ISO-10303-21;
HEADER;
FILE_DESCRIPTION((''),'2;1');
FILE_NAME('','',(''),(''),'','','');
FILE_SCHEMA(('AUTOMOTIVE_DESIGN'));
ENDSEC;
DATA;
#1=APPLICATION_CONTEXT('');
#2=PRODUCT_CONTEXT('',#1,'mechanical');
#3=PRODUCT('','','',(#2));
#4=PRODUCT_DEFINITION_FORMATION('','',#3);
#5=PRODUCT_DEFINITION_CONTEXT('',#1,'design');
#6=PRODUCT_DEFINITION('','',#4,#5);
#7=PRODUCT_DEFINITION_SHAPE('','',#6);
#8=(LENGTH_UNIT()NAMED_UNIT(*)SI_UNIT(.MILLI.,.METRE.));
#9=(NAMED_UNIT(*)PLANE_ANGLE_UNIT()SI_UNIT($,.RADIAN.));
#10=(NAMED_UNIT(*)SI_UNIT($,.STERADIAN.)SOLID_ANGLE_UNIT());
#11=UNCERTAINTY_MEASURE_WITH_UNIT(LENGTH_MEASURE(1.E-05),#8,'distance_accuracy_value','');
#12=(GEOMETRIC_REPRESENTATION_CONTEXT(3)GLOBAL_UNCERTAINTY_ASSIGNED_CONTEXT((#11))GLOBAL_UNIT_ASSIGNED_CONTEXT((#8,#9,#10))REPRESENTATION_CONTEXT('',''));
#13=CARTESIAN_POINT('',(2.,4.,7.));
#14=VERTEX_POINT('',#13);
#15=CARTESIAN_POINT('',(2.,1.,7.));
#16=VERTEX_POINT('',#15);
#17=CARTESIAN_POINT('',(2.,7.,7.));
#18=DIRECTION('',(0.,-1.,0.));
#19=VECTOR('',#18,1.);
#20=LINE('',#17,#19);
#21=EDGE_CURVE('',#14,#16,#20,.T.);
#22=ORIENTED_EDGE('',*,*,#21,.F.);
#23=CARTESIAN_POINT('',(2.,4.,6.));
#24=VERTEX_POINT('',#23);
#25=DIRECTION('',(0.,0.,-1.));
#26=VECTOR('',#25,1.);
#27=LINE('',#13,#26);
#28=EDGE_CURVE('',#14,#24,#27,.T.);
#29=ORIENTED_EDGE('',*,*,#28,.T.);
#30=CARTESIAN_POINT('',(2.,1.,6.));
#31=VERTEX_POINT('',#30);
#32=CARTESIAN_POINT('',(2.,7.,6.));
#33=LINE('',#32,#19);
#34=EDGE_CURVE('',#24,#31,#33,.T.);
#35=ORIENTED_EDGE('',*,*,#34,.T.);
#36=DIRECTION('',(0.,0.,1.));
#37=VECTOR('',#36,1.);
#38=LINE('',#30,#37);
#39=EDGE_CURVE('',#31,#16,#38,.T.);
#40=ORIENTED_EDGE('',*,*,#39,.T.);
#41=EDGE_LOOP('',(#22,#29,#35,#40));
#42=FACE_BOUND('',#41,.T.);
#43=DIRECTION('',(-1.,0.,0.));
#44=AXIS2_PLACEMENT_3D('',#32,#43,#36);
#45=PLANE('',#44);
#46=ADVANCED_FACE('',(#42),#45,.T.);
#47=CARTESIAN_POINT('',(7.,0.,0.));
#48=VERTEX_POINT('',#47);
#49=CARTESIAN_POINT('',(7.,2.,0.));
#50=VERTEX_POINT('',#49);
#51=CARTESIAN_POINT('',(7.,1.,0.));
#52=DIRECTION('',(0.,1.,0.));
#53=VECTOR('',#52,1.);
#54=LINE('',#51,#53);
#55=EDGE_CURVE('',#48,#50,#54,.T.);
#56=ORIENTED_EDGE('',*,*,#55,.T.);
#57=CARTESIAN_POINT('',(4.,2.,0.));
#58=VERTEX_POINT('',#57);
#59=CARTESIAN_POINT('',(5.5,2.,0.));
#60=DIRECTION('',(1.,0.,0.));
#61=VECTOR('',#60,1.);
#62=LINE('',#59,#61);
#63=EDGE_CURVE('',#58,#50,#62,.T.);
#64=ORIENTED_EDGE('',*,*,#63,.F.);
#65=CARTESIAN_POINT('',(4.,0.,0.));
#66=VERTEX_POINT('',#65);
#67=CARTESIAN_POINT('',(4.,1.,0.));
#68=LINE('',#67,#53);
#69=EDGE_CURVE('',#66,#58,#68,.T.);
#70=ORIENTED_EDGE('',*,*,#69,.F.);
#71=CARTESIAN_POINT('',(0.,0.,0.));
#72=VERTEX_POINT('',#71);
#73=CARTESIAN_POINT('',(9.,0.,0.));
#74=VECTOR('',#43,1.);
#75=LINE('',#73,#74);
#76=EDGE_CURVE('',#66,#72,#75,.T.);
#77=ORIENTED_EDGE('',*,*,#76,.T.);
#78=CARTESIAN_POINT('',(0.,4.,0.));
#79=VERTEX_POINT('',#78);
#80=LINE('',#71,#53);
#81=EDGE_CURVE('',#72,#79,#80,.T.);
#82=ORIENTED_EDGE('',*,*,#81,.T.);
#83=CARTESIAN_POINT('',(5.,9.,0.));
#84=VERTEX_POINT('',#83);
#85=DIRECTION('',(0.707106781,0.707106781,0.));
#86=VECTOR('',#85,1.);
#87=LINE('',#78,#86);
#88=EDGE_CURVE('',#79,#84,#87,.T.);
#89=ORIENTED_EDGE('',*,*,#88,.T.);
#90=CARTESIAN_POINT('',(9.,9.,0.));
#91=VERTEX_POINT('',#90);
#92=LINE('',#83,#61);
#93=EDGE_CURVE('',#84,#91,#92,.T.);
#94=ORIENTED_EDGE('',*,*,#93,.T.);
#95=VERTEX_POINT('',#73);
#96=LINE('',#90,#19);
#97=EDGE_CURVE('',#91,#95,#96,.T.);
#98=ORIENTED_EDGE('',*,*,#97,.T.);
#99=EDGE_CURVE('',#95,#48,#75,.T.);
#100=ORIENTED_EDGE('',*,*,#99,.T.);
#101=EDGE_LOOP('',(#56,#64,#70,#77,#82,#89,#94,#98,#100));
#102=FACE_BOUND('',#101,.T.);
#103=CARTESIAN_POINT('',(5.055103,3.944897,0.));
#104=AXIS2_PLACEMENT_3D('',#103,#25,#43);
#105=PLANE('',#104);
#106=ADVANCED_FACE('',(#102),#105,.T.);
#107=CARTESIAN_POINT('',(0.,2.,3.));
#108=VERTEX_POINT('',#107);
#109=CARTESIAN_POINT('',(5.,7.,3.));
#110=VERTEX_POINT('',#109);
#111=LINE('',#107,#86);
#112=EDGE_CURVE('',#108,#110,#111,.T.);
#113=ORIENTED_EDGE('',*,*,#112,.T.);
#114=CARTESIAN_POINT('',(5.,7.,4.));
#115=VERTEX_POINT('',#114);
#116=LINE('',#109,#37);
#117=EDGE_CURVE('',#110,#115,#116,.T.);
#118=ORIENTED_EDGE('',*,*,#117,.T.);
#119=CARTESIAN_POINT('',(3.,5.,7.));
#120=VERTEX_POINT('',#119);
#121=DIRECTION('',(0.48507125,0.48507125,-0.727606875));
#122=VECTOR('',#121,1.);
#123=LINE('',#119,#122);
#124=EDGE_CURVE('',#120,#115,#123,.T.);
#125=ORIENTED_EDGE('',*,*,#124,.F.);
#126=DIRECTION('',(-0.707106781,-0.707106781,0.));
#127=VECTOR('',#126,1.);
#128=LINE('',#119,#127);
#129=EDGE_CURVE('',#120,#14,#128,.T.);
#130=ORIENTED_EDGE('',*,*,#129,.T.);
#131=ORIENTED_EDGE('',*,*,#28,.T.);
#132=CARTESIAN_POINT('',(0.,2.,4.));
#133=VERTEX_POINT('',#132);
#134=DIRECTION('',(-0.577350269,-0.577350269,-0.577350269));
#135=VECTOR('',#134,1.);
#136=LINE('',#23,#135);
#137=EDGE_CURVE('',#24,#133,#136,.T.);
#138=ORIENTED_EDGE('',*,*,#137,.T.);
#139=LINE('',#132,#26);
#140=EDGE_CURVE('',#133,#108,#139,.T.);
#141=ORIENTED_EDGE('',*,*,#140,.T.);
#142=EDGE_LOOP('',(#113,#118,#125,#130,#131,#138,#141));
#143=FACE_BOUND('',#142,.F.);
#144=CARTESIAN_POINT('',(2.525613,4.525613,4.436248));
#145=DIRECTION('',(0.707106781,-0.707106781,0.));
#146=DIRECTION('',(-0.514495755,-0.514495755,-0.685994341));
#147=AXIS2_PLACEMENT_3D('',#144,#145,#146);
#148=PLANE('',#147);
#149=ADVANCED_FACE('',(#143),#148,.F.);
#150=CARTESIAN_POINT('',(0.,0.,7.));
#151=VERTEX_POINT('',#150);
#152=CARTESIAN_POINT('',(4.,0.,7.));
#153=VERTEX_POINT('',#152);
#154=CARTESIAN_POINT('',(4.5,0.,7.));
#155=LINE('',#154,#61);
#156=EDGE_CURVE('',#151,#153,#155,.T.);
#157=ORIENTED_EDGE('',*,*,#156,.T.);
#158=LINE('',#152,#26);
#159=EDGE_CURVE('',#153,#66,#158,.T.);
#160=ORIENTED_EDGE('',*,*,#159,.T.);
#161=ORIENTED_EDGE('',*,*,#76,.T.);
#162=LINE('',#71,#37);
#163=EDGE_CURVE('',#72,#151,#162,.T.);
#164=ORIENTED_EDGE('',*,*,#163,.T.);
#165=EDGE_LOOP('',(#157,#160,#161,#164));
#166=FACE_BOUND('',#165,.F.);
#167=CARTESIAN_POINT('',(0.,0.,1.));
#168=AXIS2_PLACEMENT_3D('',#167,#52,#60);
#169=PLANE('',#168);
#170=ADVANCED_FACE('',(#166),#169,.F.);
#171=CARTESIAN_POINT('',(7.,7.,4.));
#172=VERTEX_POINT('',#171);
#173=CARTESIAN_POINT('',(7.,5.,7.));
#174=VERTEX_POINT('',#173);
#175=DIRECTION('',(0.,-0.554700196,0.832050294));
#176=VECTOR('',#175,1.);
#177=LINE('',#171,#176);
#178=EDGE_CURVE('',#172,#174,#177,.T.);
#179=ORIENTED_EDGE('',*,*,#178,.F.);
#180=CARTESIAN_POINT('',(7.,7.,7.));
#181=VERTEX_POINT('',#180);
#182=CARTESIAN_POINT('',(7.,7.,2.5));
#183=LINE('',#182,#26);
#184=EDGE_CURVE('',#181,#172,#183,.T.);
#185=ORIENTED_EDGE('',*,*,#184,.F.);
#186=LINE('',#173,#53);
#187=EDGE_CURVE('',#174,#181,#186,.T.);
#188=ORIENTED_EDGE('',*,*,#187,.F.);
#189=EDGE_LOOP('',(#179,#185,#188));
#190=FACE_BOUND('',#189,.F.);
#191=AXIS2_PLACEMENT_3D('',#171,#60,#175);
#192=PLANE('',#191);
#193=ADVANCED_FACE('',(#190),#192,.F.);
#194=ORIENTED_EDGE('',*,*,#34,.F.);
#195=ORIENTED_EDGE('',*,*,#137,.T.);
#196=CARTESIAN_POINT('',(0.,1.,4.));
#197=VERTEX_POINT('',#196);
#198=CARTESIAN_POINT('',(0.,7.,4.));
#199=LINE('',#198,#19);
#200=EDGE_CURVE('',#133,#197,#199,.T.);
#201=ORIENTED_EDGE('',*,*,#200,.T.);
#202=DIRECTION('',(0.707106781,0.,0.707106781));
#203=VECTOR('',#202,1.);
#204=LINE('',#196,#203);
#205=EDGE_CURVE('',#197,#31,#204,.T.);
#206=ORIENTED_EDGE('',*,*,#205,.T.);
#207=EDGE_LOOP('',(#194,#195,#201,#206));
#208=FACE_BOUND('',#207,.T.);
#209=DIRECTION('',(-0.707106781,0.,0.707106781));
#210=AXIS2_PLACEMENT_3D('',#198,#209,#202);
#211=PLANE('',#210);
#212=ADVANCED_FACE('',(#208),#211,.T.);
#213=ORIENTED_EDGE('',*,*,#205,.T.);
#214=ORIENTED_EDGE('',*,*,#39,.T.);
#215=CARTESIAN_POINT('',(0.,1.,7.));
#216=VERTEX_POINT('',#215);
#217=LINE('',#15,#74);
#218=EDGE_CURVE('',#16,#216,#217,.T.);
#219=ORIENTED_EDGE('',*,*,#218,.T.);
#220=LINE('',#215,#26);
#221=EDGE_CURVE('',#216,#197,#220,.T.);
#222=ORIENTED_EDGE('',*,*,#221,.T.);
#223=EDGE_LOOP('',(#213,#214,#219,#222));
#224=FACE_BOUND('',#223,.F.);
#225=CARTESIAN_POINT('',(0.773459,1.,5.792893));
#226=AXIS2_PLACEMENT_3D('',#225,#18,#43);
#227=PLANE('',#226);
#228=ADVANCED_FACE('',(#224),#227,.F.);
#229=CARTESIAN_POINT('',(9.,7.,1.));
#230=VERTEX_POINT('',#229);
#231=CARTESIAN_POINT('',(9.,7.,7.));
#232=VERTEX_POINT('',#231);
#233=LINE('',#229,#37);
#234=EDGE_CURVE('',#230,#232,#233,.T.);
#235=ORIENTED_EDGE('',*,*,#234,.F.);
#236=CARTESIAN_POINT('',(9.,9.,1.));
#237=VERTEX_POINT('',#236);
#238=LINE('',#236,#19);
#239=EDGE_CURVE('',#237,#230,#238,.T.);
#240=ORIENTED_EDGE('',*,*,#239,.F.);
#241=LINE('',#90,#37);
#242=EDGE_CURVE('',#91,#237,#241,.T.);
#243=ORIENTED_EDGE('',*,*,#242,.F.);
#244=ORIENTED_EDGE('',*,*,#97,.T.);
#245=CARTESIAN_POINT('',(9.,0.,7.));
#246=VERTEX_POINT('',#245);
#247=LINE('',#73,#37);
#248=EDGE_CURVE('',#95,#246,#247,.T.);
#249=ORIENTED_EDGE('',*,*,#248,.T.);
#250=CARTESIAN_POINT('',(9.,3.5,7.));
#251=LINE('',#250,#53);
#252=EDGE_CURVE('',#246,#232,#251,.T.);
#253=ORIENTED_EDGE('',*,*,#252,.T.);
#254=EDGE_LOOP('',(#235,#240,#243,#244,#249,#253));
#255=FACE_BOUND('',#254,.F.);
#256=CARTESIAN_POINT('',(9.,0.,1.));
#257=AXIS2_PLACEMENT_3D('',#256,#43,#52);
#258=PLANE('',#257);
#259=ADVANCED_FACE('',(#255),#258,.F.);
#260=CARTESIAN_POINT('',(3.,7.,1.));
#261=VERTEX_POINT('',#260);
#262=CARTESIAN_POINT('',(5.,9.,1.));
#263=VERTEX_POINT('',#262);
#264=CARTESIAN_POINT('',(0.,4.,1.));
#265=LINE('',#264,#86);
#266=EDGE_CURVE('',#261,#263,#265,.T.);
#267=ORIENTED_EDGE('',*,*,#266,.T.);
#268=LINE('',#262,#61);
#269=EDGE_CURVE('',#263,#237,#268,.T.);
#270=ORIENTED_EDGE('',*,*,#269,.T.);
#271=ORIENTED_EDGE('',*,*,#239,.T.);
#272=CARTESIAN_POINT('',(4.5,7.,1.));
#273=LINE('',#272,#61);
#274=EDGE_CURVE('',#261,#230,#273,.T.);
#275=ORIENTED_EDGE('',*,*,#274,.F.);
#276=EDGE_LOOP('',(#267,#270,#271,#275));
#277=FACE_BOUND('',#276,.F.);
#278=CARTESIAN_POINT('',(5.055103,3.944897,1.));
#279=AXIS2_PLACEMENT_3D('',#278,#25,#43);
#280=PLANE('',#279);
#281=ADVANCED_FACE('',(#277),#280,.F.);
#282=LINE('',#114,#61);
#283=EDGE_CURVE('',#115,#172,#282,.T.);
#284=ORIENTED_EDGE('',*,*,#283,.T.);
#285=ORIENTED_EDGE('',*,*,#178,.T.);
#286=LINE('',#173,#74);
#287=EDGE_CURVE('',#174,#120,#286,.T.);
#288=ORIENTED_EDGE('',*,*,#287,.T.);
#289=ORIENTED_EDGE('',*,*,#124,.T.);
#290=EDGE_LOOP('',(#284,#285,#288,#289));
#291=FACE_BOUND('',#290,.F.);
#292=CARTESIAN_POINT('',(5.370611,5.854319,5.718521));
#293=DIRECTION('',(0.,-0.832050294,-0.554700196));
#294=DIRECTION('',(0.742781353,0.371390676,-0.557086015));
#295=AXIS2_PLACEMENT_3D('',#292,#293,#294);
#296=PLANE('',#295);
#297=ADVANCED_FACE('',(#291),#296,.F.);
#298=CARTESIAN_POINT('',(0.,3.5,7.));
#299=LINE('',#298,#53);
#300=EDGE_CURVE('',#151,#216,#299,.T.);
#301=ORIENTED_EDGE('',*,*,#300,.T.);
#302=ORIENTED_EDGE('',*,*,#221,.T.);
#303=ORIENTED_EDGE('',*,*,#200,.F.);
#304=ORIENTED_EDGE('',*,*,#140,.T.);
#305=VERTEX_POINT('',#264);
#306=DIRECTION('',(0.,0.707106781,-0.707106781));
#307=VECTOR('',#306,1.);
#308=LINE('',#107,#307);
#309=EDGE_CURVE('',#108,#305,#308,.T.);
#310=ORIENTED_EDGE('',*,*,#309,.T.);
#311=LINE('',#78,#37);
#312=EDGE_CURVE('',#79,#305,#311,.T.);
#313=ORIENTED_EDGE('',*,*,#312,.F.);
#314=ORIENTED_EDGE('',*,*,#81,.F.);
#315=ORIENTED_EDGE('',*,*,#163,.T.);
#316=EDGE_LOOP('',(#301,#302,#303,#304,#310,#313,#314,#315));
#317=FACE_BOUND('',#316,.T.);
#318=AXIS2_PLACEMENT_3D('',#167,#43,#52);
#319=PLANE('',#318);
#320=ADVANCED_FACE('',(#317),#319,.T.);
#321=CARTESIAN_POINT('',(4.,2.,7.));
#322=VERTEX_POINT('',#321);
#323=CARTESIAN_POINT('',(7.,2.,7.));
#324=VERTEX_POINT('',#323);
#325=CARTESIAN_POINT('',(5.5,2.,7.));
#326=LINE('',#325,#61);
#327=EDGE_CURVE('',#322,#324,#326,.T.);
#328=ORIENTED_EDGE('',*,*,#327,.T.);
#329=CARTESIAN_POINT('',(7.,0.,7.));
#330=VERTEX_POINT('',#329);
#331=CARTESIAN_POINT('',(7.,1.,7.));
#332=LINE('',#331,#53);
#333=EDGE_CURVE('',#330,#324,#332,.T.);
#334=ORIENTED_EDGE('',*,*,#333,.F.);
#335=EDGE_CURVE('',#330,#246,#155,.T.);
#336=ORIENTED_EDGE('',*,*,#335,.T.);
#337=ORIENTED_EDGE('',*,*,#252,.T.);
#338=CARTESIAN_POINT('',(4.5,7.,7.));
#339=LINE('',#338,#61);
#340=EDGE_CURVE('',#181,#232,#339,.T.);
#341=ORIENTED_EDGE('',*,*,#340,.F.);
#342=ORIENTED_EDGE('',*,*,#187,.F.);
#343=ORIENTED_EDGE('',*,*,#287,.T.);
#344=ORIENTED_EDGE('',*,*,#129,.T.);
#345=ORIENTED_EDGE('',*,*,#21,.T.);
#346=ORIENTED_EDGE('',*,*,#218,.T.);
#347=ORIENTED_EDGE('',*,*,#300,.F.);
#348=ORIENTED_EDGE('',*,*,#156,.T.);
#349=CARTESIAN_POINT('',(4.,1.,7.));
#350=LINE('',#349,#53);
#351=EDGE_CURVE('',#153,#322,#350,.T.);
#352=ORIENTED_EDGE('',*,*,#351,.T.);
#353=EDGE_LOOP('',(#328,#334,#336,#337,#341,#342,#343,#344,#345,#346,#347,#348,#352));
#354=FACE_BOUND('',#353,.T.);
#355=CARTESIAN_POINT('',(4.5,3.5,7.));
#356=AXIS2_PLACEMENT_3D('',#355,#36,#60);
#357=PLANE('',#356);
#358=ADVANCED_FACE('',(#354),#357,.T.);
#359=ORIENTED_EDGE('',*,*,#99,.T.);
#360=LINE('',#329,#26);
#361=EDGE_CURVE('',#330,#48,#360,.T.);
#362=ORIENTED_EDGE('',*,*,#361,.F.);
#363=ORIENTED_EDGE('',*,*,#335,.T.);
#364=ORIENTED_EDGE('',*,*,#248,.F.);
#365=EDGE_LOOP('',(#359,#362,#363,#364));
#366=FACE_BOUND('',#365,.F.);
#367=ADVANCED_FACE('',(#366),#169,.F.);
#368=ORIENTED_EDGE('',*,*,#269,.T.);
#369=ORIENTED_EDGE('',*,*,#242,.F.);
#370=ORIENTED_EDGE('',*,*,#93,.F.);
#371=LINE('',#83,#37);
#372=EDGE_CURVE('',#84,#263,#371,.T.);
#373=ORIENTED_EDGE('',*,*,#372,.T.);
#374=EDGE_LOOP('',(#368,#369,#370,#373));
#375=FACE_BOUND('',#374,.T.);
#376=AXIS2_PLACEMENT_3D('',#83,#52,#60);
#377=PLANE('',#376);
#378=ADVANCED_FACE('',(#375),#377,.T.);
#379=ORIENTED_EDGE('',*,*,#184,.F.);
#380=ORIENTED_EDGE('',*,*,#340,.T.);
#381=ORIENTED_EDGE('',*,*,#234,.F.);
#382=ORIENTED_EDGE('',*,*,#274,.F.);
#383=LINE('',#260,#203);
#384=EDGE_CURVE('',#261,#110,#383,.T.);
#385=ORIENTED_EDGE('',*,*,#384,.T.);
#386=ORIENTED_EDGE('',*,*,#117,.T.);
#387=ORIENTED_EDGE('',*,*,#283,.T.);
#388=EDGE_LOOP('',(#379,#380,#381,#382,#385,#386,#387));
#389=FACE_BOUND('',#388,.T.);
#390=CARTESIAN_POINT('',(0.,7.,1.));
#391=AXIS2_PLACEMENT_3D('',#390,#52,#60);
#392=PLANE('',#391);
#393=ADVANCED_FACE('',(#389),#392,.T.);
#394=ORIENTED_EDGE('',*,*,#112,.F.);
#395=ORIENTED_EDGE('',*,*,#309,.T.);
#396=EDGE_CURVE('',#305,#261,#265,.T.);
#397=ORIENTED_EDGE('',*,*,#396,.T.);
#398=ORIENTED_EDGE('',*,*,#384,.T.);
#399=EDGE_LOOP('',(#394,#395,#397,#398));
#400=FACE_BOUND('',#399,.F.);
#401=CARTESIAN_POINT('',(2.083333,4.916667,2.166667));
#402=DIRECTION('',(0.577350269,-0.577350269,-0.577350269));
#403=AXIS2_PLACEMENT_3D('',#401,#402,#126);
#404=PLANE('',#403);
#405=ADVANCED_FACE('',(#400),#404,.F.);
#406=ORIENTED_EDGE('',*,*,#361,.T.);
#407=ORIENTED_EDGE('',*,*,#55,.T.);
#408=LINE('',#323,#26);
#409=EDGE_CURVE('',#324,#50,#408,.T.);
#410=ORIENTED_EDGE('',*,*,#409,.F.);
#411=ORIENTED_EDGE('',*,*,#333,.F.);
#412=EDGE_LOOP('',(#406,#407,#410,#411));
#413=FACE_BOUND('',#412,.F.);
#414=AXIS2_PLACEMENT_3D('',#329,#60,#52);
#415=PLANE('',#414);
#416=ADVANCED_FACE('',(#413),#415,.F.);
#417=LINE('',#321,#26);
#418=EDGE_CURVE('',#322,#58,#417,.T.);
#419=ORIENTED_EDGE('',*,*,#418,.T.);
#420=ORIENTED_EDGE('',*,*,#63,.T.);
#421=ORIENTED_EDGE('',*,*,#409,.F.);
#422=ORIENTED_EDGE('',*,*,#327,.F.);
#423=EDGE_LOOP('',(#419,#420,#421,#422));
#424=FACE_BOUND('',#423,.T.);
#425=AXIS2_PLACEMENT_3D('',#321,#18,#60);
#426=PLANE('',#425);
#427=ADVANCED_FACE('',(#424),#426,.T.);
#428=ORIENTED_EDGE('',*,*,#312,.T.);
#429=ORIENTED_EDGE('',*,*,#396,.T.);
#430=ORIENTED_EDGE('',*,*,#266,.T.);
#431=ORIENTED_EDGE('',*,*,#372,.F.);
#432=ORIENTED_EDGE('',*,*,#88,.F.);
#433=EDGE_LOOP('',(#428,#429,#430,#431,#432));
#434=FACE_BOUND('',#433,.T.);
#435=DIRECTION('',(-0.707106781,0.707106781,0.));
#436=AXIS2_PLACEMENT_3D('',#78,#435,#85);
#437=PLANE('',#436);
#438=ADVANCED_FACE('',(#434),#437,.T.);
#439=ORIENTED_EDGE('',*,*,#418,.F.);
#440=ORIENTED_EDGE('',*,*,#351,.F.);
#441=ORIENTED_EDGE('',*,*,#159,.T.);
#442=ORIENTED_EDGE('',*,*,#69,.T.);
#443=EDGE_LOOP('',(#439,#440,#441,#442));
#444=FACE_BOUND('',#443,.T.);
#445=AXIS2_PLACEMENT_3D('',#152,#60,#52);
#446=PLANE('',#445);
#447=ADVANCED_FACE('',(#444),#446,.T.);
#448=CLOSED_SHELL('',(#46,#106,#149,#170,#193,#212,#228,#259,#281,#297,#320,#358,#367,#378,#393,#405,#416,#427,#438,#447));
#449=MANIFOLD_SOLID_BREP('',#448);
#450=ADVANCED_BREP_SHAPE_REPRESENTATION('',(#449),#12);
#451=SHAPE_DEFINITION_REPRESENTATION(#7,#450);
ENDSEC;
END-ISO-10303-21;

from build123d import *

# Parameters (mm, degrees)
BOSS_EXTRUDE1_DEPTH = 1
SKETCH2_W           = 9
SKETCH2_H           = 7
BOSS_EXTRUDE2_DEPTH = 6
CUT_EXTRUDE1_DEPTH  = 6
SKETCH4_W           = 3
SKETCH4_H           = 2
CUT_EXTRUDE3_DEPTH  = 7
CUT_EXTRUDE5_DEPTH  = 6
CUT_EXTRUDE6_DEPTH  = 6
CUT_EXTRUDE7_DEPTH  = 6


with BuildPart() as part:
    # Sketch1 → Boss-Extrude1 (new body)
    with BuildSketch(Plane.XY):
        Polygon((0, 4), (5, 9), (9, 9), (9, 0), (0, 0), align=None)
    extrude(amount=BOSS_EXTRUDE1_DEPTH)

    # Sketch2 → Boss-Extrude2 (add)
    with BuildSketch(Plane.XY.offset(1)):
        with Locations((4.5, 3.5)):
            Rectangle(SKETCH2_W, SKETCH2_H)
    extrude(amount=BOSS_EXTRUDE2_DEPTH)

    # 3DSketch1 → Cut-Extrude1 (cut, along a direction that is not the sketch's normal)
    with BuildSketch(Plane(origin=(7, 7, 4), x_dir=(-0.7427813527082076, -0.3713906763541037, 0.5570860145311556), z_dir=(0, 0.8320502943378437, 0.554700196225229))):
        Polygon((0, 0), (2.414039396, 2.678136254), (5.385164807, 0), (1.485562705, -1.339068127), align=None)
    extrude(amount=CUT_EXTRUDE1_DEPTH, dir=(0, 1, 0), mode=Mode.SUBTRACT)

    # Sketch4 → Cut-Extrude3 (cut)
    with BuildSketch(Plane.XY.offset(7)):
        with Locations((5.5, 1)):
            Rectangle(SKETCH4_W, SKETCH4_H)
    extrude(amount=-CUT_EXTRUDE3_DEPTH, mode=Mode.SUBTRACT)

    # Sketch5 → Cut-Extrude5 (cut)
    with BuildSketch(Plane(origin=(0, 7, 0), x_dir=(1, 0, 0), z_dir=(0, 1, 0))):
        Polygon((0, -7), (0, -4), (2, -6), (2, -7), align=None)
    extrude(amount=-CUT_EXTRUDE5_DEPTH, mode=Mode.SUBTRACT)

    # 3DSketch4 → Cut-Extrude6 (cut, along a direction that is not the sketch's normal)
    with BuildSketch(Plane(origin=(3, 5, 7), x_dir=(-0.5144957554275265, -0.5144957554275265, -0.6859943405700355), z_dir=(0.7071067811865475, -0.7071067811865476, 0))):
        Polygon((0, 0), (1.028991511, -0.9701425), (1.714985851, -0.242535625), (5.144957554, -0.727606875), (5.830951895, 0), (0.685994341, 4.850712501), (0, 4.123105626), align=None)
    extrude(amount=-CUT_EXTRUDE6_DEPTH, dir=(0, -1, 0), mode=Mode.SUBTRACT)

    # 3DSketch5 → Cut-Extrude7 (cut, along a direction that is not the sketch's normal)
    with BuildSketch(Plane(origin=(0, 2, 3), x_dir=(0.7071067811865476, 0.7071067811865475, 0), z_dir=(-0.577350269189626, 0.577350269189626, 0.5773502691896256))):
        Polygon((0, 0), (1.414213562, 2.449489743), (5.656854249, 2.449489743), (7.071067812, 0), align=None)
    extrude(amount=CUT_EXTRUDE7_DEPTH, dir=(0, 1, 0), mode=Mode.SUBTRACT)


solid = part.part
